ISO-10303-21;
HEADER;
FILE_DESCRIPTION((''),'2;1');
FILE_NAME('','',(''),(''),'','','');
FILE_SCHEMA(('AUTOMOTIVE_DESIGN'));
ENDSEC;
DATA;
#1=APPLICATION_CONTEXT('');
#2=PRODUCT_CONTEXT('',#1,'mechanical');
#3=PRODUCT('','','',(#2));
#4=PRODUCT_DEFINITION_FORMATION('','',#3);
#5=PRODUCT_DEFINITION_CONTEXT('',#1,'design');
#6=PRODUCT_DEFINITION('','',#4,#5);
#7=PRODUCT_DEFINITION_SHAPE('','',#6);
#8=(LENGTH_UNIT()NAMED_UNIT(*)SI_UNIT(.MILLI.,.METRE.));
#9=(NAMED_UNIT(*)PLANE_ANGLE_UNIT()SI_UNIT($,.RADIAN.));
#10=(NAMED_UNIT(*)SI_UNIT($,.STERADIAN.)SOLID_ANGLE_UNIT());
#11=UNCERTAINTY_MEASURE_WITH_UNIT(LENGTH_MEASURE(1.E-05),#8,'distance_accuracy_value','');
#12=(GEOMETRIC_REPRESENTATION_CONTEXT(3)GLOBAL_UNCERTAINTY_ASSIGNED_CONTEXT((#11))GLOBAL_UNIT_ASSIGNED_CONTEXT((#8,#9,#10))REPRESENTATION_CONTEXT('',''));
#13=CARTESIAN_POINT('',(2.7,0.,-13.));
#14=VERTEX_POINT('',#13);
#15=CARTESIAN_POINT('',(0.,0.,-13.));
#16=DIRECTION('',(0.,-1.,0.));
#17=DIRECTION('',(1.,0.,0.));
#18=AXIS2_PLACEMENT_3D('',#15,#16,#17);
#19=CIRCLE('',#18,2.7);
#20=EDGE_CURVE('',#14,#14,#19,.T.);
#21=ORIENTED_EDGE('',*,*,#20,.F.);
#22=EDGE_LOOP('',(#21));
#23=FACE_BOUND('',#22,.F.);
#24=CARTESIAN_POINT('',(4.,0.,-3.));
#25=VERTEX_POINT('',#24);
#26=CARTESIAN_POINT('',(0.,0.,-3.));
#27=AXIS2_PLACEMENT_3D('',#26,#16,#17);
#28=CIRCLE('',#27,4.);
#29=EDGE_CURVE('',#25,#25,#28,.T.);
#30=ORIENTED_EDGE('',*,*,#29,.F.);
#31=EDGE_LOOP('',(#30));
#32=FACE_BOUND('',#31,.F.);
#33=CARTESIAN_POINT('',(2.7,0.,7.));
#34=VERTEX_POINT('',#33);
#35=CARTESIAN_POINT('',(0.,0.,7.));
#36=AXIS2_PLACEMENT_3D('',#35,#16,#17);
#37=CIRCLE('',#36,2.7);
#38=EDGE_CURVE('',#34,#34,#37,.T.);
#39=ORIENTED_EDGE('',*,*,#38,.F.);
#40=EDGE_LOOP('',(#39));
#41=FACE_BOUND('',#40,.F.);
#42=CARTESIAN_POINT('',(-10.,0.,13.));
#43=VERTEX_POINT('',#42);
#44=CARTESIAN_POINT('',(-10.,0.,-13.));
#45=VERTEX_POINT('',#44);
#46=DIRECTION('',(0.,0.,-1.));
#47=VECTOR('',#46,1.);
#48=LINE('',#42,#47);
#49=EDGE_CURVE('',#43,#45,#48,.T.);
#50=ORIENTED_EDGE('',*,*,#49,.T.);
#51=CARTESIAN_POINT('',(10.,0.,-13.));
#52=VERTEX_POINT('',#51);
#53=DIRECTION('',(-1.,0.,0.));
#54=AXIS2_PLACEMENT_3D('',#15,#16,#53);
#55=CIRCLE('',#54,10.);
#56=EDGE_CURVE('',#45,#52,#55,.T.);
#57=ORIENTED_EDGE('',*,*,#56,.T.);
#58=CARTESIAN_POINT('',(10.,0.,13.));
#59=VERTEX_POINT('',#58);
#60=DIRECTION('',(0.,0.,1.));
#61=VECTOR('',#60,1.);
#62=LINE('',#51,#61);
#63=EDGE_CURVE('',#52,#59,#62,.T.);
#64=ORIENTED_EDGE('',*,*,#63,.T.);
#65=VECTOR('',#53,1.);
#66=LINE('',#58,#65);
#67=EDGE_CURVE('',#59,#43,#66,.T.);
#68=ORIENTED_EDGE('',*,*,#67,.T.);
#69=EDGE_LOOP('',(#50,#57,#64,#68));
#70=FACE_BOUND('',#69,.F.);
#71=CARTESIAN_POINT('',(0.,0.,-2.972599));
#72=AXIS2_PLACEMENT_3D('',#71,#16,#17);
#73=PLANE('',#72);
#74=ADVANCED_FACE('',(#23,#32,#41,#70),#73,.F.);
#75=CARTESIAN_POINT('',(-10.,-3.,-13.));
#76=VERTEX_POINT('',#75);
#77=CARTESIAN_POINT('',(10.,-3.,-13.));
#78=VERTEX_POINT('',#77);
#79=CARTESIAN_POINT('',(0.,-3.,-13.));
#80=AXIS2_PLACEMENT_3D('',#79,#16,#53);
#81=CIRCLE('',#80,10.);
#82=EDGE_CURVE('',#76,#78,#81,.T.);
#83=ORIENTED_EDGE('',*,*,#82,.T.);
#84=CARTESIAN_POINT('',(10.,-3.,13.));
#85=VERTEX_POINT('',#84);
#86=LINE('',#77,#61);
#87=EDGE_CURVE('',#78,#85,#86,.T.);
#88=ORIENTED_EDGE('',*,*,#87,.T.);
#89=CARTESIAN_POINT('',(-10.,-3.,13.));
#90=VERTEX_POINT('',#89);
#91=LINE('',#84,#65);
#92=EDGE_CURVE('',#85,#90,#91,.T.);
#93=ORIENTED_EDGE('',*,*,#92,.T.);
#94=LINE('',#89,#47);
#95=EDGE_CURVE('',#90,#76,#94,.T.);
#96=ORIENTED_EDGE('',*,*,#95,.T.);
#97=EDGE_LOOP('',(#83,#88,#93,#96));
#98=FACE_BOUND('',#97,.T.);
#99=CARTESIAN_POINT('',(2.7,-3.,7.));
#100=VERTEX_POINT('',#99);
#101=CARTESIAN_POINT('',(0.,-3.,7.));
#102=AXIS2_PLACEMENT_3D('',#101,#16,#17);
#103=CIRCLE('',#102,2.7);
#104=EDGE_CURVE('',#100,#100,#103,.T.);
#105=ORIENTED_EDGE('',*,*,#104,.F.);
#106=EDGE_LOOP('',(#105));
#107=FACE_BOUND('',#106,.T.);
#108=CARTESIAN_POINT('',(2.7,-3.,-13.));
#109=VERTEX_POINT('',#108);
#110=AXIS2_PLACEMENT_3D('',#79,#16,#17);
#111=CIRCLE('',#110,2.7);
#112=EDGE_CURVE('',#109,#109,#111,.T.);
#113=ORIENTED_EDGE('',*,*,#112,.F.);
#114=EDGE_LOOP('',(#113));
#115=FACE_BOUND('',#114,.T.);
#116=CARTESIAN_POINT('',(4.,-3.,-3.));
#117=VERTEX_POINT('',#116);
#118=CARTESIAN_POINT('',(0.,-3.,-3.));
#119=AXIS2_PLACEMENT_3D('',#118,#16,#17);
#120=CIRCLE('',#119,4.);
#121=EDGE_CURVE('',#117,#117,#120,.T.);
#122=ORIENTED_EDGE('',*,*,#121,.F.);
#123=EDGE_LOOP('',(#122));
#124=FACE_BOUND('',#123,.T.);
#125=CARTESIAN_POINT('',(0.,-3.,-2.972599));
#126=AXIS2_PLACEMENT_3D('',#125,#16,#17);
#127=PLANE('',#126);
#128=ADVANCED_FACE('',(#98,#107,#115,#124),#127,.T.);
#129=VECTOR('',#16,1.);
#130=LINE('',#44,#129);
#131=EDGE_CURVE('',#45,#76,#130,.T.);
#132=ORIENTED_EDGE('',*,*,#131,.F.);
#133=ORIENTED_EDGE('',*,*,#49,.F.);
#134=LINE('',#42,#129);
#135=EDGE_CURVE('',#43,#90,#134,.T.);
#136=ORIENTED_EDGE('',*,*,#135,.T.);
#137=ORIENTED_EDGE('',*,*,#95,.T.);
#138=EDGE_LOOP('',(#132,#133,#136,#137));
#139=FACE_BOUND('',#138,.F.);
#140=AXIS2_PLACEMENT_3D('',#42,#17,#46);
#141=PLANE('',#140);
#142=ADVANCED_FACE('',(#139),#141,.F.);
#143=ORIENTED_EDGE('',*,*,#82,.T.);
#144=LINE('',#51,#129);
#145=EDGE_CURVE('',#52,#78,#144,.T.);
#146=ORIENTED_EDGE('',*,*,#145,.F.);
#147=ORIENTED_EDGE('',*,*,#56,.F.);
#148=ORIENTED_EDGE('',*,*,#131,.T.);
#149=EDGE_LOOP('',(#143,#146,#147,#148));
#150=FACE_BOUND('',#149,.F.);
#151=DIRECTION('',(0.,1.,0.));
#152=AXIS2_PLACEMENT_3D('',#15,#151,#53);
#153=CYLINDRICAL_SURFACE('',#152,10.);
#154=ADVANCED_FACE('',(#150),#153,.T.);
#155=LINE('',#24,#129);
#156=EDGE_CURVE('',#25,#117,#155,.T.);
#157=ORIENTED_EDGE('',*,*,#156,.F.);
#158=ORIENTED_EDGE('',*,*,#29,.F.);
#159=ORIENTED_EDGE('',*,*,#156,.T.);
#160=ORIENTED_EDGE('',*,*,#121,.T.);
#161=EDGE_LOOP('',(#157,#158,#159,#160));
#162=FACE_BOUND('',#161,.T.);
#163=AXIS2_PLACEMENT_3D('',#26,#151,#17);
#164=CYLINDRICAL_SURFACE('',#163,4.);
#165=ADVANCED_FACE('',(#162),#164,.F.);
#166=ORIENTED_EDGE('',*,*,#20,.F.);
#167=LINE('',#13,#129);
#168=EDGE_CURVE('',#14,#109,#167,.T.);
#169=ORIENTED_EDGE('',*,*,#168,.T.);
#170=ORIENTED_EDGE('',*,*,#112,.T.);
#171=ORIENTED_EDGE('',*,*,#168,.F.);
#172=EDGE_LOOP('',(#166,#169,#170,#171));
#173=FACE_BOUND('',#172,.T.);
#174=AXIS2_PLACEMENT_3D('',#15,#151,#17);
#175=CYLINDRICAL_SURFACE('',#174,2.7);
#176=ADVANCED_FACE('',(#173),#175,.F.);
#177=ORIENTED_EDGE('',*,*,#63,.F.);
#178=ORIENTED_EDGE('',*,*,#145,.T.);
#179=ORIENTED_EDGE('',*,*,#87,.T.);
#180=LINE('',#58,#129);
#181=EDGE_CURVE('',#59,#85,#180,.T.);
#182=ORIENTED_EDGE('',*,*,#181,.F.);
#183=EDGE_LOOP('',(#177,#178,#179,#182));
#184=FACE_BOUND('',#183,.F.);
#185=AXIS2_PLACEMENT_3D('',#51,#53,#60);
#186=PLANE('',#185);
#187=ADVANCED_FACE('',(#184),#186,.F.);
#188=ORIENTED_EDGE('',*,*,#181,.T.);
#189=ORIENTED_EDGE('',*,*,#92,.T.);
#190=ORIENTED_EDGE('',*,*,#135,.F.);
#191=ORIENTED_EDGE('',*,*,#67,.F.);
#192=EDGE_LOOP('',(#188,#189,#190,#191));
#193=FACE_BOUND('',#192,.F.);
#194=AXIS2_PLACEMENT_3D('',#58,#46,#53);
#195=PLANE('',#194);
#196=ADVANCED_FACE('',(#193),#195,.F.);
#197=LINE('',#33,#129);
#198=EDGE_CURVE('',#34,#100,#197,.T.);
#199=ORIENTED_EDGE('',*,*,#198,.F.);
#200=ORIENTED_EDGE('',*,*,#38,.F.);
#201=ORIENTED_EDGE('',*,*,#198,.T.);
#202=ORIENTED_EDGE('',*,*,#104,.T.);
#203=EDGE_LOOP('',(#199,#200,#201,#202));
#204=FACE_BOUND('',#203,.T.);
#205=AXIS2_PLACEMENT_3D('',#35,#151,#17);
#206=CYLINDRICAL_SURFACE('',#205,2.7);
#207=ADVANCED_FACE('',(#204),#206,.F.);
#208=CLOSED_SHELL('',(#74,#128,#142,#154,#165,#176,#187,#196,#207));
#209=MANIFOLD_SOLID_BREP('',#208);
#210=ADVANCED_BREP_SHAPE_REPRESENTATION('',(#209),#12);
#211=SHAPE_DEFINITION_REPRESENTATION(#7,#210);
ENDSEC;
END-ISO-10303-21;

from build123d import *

# Parameters (mm, degrees)
F0_R     = 2.7
F0_R_2   = 4
F1_DEPTH = 3


with BuildPart() as f1:
    # F0 (on Front) → F1 (new body)
    with BuildSketch(Plane.XZ):
        with BuildLine():
            Line((10, -13), (10, 13))
            Line((10, 13), (-10, 13))
            Line((-10, 13), (-10, -13))
            ThreePointArc((-10, -13), (0, -23), (10, -13))
        make_face()
        with Locations((0, -13)):
            Circle(F0_R, mode=Mode.SUBTRACT)
        with Locations((0, -3)):
            Circle(F0_R_2, mode=Mode.SUBTRACT)
        with Locations((0, 7)):
            Circle(F0_R, mode=Mode.SUBTRACT)
    extrude(amount=F1_DEPTH)


solid = f1.part
